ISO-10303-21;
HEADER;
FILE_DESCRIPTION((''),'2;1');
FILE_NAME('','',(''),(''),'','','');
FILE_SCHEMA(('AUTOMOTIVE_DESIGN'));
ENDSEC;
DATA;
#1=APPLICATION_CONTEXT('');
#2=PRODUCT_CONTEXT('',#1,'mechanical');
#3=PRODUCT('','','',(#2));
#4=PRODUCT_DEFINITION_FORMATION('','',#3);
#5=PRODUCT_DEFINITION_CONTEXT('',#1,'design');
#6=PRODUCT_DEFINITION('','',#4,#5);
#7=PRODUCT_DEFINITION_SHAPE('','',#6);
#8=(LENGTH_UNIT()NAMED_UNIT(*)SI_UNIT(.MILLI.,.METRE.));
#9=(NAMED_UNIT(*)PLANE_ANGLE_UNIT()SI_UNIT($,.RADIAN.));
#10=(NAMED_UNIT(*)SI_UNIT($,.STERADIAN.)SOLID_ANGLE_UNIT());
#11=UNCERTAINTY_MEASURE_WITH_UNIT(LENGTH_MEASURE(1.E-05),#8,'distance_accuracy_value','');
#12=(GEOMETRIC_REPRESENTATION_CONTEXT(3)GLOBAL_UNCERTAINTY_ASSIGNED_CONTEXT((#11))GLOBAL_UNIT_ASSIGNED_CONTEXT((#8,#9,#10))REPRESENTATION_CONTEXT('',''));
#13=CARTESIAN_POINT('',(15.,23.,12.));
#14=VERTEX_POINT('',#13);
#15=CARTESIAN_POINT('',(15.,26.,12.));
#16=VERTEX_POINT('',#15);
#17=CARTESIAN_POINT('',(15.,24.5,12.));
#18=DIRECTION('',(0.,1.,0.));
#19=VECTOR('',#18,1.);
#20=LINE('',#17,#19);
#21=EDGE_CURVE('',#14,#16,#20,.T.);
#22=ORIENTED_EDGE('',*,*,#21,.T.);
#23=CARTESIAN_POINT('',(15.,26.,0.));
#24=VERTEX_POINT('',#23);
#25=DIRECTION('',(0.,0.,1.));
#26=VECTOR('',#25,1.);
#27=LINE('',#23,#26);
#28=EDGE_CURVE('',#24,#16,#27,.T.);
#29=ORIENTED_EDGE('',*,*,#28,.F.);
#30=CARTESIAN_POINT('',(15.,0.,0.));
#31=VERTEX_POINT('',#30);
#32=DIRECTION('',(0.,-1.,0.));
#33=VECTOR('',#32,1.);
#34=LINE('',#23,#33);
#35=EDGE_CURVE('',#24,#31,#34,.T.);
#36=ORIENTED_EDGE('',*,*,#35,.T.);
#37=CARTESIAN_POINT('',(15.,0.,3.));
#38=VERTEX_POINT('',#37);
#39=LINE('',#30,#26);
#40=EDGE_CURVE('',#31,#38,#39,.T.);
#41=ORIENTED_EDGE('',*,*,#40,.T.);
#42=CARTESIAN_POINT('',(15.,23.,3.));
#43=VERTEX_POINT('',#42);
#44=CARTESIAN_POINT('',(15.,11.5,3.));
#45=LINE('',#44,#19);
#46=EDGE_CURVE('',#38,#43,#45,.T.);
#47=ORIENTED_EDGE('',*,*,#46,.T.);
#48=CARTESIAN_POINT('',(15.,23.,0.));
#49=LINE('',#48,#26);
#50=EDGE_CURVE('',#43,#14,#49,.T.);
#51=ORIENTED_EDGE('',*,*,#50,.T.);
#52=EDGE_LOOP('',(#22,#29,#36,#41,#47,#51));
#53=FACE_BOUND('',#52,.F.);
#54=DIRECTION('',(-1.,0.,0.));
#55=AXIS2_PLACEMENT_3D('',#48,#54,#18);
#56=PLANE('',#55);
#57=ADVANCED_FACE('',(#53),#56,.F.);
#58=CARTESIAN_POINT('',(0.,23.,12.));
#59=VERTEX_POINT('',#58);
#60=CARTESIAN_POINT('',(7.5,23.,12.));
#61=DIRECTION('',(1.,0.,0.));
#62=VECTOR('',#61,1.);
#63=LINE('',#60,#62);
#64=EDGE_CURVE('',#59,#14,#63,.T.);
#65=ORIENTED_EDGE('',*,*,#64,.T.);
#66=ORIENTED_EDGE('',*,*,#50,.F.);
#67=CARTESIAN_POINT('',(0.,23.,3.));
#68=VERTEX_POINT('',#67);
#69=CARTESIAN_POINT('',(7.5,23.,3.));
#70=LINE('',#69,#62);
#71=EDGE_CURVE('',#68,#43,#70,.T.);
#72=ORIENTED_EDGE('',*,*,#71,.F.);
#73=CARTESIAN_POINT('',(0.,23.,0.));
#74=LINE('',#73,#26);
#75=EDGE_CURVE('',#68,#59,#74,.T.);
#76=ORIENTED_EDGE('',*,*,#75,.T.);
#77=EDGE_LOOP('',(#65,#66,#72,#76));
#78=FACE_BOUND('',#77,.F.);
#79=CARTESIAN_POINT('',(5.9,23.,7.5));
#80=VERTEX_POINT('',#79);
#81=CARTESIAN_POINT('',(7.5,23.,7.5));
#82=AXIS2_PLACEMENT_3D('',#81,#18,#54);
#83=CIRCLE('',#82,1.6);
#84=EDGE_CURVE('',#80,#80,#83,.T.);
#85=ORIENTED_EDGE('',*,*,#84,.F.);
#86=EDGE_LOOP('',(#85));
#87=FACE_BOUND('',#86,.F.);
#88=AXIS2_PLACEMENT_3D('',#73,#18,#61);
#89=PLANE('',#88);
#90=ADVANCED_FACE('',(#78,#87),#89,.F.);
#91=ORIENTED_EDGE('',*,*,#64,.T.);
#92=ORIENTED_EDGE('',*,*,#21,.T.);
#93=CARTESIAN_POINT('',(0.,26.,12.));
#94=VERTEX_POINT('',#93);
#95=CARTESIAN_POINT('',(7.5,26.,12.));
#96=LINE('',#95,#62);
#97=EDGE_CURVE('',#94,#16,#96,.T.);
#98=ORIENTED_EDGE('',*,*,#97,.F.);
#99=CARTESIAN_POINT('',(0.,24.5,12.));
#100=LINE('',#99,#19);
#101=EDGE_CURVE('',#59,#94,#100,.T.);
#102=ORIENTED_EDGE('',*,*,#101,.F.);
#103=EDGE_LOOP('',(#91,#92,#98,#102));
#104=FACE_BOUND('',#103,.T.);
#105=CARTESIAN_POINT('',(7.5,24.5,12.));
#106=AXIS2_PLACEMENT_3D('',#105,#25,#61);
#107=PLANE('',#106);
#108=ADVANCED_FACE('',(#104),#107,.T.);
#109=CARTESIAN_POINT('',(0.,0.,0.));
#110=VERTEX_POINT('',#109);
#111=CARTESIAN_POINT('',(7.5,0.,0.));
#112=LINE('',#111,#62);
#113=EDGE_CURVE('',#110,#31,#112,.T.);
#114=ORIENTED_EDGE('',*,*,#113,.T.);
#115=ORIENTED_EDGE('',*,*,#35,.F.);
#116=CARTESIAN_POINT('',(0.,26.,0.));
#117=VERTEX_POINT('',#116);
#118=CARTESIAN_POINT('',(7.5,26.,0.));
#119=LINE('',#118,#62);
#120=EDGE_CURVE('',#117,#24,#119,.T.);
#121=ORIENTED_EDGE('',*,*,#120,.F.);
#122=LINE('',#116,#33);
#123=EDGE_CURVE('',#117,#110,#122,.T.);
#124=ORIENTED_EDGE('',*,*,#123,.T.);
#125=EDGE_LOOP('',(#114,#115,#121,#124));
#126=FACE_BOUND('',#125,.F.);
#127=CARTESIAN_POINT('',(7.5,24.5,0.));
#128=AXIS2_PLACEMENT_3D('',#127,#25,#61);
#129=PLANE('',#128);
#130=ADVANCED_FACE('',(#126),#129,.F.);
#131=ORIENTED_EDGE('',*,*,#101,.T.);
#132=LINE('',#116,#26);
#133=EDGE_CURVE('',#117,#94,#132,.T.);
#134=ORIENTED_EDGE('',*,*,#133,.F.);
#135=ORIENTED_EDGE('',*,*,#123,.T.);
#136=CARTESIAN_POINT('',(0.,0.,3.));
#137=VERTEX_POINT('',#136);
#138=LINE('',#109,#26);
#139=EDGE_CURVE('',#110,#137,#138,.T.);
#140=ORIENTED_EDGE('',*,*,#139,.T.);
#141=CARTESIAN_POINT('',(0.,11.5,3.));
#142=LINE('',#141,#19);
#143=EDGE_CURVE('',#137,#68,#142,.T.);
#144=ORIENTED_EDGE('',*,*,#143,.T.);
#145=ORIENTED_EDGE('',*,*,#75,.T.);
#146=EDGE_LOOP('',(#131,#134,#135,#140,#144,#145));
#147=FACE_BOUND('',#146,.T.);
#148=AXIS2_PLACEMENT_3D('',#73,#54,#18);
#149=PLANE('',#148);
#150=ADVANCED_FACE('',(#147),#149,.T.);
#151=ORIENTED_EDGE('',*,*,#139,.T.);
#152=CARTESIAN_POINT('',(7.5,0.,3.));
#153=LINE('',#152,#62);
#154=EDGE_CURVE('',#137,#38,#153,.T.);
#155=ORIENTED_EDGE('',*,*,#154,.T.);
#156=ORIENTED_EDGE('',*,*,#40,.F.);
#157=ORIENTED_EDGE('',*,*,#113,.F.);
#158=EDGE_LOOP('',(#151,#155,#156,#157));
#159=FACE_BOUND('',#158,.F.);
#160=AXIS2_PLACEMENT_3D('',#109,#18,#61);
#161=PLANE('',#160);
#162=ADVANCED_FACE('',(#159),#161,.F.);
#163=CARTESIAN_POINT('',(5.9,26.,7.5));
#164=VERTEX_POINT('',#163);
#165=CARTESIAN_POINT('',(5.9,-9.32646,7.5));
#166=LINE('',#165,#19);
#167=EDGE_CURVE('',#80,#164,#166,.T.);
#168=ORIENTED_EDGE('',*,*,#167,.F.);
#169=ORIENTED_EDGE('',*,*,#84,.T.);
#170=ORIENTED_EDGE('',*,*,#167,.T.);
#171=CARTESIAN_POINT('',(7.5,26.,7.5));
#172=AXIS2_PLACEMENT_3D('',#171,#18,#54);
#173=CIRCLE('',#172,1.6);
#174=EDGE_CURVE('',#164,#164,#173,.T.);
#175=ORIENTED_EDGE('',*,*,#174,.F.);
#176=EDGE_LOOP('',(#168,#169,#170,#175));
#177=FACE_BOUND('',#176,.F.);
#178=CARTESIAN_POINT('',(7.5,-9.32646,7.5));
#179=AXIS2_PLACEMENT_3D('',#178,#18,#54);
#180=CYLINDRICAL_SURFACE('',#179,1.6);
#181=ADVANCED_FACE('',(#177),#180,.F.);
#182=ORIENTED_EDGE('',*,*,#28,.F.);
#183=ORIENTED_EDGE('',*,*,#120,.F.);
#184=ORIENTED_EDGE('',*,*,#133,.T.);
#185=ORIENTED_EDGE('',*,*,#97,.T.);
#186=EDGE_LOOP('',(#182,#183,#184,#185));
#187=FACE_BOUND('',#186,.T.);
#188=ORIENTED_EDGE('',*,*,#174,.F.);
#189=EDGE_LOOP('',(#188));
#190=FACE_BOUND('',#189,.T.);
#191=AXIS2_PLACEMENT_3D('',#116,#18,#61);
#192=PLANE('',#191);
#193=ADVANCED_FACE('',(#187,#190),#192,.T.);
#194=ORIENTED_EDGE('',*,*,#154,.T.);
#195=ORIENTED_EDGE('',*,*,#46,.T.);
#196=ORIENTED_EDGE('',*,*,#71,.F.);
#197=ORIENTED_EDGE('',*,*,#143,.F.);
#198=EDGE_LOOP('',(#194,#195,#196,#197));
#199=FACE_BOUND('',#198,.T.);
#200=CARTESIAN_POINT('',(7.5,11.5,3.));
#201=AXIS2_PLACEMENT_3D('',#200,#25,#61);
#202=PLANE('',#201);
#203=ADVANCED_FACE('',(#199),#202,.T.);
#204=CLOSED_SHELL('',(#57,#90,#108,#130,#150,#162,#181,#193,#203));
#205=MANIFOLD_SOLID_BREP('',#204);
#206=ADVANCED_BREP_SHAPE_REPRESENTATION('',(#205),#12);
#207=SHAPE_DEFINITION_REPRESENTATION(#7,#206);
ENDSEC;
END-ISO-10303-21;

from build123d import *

# Parameters (mm, degrees)
F0_W     = 15
F0_H     = 23
F1_DEPTH = 3
F0_H_2   = 3
F2_DEPTH = 12
F4_D     = 3.2


with BuildPart() as f1:
    # F0 (on Top) → F1 (new body)
    with BuildSketch(Plane.XY):
        with Locations((7.5, 11.5)):
            Rectangle(F0_W, F0_H)
    extrude(amount=F1_DEPTH)

    # F0 (on Top) → F2 (join)
    with BuildSketch(Plane.XY):
        with Locations((7.5, 24.5)):
            Rectangle(F0_W, F0_H_2)
    extrude(amount=F2_DEPTH)

    # F4 (through all)
    with Locations(Plane.XZ.offset(-23)):
        with Locations((7.5, 7.5)):
            Hole(F4_D / 2)


solid = f1.part
